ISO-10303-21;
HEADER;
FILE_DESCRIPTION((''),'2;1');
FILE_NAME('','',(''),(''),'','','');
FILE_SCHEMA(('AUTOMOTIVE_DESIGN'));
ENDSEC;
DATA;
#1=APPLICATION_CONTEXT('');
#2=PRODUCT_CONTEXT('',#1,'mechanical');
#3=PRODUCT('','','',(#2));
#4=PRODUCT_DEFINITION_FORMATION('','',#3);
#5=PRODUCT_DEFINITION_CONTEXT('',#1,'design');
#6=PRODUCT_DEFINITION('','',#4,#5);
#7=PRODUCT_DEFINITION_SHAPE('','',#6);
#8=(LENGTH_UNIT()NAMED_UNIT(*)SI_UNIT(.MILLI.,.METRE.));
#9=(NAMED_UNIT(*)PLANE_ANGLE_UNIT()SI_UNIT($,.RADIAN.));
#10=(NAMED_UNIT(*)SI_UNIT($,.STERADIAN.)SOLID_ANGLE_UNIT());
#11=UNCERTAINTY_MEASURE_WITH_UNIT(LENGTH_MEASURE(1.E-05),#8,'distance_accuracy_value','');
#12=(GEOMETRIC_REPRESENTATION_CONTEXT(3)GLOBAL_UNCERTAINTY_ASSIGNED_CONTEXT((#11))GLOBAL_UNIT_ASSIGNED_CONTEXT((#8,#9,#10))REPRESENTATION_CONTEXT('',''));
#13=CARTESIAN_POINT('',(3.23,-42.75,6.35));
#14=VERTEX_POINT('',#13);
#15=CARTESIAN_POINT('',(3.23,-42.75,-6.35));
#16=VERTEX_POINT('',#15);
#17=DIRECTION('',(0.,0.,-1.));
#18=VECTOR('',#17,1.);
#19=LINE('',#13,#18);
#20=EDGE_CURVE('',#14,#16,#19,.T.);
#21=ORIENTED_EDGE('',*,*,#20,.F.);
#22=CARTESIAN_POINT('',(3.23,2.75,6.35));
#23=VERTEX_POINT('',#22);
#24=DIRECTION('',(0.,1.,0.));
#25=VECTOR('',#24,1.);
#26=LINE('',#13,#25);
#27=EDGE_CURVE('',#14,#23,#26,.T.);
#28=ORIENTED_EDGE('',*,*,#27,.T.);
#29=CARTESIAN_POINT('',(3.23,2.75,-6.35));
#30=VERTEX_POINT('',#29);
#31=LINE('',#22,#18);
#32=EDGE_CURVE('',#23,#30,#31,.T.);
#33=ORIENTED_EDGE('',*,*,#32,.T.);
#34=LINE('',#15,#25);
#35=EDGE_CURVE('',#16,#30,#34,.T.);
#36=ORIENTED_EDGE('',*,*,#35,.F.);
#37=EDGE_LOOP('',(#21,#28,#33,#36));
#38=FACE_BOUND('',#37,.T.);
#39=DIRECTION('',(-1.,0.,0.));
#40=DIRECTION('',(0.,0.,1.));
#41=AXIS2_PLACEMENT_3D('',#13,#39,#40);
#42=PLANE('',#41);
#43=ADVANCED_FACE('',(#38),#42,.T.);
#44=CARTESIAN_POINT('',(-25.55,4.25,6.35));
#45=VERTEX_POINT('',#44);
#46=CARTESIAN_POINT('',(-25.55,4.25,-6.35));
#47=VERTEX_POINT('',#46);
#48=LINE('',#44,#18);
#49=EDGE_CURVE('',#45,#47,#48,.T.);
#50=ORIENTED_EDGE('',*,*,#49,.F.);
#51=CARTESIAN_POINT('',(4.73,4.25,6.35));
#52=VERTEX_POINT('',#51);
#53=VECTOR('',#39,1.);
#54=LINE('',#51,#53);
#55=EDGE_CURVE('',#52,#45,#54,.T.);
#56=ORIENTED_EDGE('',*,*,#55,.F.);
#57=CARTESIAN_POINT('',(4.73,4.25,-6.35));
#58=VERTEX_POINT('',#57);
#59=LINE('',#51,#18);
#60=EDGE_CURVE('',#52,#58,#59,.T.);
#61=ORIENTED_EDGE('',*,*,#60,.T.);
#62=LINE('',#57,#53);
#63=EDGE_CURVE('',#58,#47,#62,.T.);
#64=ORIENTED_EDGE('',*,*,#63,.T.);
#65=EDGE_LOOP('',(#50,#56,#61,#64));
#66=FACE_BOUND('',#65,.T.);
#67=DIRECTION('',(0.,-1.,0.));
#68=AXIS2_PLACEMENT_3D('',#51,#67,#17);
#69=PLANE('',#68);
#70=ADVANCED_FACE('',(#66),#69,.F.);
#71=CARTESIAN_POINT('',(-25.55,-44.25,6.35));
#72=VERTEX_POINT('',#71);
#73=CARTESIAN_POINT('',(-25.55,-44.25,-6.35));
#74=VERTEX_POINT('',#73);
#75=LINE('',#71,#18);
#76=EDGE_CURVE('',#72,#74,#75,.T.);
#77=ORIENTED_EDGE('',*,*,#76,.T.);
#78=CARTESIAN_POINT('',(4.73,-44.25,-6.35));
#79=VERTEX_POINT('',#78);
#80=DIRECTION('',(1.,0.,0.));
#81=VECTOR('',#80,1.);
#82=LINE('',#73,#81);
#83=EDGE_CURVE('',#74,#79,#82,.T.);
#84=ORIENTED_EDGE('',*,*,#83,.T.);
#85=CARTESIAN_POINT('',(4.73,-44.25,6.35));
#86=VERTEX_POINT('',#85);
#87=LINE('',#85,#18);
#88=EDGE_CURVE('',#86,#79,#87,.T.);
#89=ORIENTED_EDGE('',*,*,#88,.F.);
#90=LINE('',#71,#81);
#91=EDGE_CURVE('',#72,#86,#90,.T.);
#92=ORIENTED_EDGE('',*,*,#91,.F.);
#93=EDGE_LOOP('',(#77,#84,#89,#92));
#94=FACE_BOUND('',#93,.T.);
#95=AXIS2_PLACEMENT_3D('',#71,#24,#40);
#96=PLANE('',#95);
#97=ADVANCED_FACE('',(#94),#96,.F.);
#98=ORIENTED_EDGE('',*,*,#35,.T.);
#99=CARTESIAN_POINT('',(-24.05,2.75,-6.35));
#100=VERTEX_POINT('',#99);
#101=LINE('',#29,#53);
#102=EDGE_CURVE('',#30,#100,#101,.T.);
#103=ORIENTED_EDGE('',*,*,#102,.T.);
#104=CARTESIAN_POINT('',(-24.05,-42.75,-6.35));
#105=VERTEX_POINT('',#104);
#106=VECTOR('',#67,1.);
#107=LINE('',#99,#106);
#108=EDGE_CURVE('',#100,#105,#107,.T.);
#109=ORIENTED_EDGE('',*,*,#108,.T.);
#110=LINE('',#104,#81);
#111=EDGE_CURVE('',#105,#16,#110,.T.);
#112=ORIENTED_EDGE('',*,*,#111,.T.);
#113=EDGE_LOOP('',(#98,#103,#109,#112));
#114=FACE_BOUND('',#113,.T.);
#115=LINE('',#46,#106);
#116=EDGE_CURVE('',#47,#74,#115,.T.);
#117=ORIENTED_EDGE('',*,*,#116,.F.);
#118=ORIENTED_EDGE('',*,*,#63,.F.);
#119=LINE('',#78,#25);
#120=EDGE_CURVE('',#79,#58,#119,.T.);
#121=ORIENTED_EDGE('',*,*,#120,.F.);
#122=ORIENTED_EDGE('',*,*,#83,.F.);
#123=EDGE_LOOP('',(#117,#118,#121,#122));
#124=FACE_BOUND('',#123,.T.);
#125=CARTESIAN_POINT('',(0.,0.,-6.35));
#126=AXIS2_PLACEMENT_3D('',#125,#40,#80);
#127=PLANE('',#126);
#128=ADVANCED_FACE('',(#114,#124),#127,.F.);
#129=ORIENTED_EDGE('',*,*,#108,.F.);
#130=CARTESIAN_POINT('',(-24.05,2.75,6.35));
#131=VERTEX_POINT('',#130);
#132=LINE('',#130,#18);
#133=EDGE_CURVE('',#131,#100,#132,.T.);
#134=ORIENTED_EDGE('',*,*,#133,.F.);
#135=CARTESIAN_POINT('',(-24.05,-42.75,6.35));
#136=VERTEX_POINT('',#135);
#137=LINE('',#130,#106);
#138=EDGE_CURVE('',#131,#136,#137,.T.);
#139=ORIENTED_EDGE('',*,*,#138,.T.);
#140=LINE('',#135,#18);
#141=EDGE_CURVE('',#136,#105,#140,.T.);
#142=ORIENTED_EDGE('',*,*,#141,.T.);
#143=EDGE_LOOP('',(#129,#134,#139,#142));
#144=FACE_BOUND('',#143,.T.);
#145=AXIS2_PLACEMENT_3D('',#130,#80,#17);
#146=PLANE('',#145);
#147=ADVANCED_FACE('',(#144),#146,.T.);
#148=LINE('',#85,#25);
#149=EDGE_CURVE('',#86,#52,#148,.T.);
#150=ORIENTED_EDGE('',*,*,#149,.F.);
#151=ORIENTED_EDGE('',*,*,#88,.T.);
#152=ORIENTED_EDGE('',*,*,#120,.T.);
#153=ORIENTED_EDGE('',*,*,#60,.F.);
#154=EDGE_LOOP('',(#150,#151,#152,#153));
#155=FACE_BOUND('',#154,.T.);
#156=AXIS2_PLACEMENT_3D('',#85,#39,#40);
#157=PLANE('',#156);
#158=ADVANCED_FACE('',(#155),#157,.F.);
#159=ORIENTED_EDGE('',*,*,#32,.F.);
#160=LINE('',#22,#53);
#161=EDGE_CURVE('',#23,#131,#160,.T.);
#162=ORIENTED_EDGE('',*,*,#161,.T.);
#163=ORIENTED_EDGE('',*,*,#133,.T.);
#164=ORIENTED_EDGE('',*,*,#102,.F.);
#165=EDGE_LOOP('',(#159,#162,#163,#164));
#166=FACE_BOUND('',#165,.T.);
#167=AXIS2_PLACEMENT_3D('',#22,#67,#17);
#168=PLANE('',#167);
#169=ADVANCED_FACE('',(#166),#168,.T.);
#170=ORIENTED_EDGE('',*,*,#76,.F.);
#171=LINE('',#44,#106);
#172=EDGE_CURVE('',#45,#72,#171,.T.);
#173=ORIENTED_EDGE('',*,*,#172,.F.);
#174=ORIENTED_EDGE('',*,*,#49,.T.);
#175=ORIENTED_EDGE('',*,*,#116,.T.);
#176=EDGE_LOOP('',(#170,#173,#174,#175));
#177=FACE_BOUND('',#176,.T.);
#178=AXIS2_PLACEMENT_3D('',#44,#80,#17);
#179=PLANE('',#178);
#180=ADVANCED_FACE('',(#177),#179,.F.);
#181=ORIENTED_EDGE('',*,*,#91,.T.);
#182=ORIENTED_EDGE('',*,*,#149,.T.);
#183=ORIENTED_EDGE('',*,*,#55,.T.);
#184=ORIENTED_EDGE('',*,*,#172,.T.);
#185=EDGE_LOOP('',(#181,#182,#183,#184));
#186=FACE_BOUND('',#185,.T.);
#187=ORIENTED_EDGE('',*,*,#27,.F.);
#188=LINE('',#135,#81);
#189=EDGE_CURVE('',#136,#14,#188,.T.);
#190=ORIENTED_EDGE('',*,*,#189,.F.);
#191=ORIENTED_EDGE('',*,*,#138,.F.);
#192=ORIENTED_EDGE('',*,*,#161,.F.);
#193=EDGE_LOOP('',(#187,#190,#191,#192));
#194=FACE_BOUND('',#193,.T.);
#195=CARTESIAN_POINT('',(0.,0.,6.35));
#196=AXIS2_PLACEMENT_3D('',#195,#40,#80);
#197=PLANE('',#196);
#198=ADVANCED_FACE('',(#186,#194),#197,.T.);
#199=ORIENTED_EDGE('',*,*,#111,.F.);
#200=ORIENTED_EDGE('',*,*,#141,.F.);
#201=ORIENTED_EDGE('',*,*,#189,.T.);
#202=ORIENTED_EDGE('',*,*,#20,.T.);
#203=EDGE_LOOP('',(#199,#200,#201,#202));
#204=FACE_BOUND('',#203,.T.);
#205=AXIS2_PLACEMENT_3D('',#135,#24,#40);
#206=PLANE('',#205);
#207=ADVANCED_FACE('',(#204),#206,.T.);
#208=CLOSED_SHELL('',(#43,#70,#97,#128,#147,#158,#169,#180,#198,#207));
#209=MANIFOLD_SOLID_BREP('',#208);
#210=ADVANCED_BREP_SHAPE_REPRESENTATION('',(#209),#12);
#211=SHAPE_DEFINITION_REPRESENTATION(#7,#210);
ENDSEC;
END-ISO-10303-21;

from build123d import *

# Parameters (mm, degrees)
STRAP_SKETCH_W   = 30.28
STRAP_SKETCH_H   = 48.5
STRAP_SKETCH_W_2 = 27.28
STRAP_SKETCH_H_2 = 45.5
STRAP_DEPTH      = 6.35


with BuildPart() as part:
    # Strap Sketch → Strap (new, symmetric)
    with BuildSketch(Plane.XY):
        with Locations((-10.41, -20)):
            Rectangle(STRAP_SKETCH_W, STRAP_SKETCH_H)
        with Locations((-10.41, -20)):
            Rectangle(STRAP_SKETCH_W_2, STRAP_SKETCH_H_2, mode=Mode.SUBTRACT)
    extrude(amount=STRAP_DEPTH, both=True)


solid = part.part
